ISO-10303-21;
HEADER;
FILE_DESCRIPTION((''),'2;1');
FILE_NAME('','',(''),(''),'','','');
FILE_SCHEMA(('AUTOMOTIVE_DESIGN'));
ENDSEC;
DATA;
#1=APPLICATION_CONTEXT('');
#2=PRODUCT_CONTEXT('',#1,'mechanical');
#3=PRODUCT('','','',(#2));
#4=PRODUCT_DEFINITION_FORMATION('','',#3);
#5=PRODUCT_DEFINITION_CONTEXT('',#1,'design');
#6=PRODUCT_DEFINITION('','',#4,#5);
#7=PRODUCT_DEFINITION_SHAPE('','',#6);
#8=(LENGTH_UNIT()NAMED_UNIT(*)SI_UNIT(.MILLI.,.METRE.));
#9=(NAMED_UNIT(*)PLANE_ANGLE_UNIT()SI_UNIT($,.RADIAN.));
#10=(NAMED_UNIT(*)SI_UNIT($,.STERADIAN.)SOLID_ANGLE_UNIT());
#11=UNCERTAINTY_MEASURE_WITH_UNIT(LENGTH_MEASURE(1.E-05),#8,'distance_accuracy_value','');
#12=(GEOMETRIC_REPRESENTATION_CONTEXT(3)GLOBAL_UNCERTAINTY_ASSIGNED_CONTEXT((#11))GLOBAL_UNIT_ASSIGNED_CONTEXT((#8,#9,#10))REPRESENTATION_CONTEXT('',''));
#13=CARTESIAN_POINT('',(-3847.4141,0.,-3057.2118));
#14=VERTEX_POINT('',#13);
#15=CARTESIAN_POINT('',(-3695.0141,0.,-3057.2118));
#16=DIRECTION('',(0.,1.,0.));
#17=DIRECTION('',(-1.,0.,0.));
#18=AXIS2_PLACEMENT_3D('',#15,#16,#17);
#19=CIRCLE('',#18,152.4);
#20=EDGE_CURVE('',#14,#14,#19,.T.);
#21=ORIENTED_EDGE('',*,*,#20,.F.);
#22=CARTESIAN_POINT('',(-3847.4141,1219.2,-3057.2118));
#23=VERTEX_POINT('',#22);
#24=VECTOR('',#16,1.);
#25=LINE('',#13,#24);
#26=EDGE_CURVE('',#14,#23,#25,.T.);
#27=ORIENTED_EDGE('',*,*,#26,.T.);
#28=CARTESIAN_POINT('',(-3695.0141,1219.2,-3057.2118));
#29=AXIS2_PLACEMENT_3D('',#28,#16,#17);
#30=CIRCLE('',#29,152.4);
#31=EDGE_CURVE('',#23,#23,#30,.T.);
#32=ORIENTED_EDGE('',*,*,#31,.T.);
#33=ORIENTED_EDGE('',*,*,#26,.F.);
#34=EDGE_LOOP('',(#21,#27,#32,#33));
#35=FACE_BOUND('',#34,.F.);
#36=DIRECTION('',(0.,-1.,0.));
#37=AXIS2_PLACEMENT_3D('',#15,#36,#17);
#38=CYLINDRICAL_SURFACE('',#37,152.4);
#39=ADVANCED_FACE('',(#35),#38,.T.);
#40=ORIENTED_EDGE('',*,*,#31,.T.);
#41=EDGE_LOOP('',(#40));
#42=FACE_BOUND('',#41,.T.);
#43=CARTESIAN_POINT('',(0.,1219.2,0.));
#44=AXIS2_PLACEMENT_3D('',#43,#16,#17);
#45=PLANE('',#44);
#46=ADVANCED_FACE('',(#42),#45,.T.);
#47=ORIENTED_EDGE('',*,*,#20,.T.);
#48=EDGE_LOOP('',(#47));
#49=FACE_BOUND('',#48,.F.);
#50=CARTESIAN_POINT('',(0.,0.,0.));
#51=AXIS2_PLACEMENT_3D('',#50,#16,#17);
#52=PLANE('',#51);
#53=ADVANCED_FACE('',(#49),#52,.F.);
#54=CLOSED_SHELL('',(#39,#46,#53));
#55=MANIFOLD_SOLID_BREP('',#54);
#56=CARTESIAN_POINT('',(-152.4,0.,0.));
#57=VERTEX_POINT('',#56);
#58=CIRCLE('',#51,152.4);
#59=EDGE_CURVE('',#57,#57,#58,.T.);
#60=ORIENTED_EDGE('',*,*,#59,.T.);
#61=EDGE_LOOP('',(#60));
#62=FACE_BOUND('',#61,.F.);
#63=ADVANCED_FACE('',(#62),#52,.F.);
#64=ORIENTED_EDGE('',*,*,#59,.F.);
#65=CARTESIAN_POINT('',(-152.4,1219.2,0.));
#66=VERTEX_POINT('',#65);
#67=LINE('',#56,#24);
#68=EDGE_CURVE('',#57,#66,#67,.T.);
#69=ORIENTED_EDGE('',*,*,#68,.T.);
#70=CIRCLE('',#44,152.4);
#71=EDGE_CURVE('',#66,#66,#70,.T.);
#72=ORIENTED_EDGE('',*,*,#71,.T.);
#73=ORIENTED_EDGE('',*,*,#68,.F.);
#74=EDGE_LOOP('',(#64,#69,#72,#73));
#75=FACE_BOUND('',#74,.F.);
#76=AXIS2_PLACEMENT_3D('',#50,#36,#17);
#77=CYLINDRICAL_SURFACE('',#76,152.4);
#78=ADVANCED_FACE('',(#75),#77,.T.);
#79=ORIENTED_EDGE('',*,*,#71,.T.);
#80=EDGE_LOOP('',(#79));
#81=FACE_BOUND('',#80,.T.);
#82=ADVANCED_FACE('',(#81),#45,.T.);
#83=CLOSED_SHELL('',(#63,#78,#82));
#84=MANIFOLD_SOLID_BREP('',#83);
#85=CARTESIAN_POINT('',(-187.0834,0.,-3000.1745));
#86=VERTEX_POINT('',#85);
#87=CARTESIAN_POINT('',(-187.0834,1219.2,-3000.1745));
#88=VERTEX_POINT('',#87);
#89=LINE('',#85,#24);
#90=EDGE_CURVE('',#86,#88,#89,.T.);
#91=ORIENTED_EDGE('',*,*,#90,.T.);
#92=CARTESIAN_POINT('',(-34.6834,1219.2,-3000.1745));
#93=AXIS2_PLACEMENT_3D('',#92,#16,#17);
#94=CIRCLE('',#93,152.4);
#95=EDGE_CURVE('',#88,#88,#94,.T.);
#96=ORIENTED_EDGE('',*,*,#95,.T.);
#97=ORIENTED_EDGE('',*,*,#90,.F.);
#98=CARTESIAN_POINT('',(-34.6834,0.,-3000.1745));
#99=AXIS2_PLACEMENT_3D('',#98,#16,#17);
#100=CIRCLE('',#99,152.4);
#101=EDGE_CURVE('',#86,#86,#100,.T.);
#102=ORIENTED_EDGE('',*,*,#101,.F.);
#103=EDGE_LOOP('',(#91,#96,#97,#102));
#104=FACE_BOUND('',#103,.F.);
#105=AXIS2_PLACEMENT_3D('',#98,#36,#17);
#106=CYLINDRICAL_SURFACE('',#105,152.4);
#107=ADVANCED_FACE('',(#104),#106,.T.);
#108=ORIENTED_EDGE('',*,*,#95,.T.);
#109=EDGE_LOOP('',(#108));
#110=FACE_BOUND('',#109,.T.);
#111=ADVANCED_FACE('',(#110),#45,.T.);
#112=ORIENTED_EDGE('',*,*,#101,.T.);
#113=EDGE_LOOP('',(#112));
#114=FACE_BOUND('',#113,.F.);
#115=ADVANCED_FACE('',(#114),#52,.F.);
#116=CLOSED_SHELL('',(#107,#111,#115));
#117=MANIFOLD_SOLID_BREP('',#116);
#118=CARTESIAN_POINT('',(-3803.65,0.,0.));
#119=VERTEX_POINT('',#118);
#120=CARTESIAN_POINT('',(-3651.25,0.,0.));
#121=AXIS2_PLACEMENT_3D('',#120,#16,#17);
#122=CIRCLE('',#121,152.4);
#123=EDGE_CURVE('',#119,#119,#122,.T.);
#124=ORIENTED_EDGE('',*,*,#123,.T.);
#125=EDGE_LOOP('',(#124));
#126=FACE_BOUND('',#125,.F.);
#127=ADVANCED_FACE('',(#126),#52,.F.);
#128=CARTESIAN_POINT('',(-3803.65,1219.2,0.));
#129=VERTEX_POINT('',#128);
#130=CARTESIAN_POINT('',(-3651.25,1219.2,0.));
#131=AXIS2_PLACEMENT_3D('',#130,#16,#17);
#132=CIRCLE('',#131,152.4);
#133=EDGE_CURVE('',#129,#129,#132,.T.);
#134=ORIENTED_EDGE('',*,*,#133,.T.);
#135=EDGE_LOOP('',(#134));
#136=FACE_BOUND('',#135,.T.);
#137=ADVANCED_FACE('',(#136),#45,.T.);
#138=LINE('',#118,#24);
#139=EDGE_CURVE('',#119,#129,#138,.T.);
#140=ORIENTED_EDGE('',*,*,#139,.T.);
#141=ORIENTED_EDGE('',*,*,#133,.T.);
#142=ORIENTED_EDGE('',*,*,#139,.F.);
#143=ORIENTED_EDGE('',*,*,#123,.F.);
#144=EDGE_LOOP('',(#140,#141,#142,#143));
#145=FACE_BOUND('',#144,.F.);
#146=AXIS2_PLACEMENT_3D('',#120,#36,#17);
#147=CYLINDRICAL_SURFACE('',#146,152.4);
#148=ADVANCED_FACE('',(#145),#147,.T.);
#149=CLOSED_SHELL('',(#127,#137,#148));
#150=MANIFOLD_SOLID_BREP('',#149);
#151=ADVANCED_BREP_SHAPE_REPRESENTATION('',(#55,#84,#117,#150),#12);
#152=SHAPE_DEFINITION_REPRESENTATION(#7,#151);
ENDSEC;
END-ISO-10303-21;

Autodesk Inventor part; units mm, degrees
ref_plane "YZ Plane" through (0, 0, 0) normal (1, 0, 0) x (0, 1, 0)
ref_plane "XZ Plane" through (0, 0, 0) normal (0, 1, 0) x (-1, 0, 0)
ref_plane "XY Plane" through (0, 0, 0) normal (0, 0, 1) x (1, 0, 0)
sketch "Sketch1" plane through (0, 0, 0) normal (0, 1, 0) x (-1, 0, 0)
  circle A0 centre (0, 0) radius 152.4
  circle A1 centre (34.6834, -3000.1745) radius 152.4
  circle A2 centre (3695.0141, -3057.2118) radius 152.4
  circle A3 centre (3651.25, 0) radius 152.4
  dimension "d0" = 304.8
  dimension "d3" = 3651.25
  dimension "d4" = 3000.375
  dimension "d5" = 3057.525
  dimension "d6" = 3660.775
  dimension "d8" = 4699
extrude "Extrusion2" add sketch "Sketch1" along normal blind 1219.2
properties part number "pylon" material "Concrete"
